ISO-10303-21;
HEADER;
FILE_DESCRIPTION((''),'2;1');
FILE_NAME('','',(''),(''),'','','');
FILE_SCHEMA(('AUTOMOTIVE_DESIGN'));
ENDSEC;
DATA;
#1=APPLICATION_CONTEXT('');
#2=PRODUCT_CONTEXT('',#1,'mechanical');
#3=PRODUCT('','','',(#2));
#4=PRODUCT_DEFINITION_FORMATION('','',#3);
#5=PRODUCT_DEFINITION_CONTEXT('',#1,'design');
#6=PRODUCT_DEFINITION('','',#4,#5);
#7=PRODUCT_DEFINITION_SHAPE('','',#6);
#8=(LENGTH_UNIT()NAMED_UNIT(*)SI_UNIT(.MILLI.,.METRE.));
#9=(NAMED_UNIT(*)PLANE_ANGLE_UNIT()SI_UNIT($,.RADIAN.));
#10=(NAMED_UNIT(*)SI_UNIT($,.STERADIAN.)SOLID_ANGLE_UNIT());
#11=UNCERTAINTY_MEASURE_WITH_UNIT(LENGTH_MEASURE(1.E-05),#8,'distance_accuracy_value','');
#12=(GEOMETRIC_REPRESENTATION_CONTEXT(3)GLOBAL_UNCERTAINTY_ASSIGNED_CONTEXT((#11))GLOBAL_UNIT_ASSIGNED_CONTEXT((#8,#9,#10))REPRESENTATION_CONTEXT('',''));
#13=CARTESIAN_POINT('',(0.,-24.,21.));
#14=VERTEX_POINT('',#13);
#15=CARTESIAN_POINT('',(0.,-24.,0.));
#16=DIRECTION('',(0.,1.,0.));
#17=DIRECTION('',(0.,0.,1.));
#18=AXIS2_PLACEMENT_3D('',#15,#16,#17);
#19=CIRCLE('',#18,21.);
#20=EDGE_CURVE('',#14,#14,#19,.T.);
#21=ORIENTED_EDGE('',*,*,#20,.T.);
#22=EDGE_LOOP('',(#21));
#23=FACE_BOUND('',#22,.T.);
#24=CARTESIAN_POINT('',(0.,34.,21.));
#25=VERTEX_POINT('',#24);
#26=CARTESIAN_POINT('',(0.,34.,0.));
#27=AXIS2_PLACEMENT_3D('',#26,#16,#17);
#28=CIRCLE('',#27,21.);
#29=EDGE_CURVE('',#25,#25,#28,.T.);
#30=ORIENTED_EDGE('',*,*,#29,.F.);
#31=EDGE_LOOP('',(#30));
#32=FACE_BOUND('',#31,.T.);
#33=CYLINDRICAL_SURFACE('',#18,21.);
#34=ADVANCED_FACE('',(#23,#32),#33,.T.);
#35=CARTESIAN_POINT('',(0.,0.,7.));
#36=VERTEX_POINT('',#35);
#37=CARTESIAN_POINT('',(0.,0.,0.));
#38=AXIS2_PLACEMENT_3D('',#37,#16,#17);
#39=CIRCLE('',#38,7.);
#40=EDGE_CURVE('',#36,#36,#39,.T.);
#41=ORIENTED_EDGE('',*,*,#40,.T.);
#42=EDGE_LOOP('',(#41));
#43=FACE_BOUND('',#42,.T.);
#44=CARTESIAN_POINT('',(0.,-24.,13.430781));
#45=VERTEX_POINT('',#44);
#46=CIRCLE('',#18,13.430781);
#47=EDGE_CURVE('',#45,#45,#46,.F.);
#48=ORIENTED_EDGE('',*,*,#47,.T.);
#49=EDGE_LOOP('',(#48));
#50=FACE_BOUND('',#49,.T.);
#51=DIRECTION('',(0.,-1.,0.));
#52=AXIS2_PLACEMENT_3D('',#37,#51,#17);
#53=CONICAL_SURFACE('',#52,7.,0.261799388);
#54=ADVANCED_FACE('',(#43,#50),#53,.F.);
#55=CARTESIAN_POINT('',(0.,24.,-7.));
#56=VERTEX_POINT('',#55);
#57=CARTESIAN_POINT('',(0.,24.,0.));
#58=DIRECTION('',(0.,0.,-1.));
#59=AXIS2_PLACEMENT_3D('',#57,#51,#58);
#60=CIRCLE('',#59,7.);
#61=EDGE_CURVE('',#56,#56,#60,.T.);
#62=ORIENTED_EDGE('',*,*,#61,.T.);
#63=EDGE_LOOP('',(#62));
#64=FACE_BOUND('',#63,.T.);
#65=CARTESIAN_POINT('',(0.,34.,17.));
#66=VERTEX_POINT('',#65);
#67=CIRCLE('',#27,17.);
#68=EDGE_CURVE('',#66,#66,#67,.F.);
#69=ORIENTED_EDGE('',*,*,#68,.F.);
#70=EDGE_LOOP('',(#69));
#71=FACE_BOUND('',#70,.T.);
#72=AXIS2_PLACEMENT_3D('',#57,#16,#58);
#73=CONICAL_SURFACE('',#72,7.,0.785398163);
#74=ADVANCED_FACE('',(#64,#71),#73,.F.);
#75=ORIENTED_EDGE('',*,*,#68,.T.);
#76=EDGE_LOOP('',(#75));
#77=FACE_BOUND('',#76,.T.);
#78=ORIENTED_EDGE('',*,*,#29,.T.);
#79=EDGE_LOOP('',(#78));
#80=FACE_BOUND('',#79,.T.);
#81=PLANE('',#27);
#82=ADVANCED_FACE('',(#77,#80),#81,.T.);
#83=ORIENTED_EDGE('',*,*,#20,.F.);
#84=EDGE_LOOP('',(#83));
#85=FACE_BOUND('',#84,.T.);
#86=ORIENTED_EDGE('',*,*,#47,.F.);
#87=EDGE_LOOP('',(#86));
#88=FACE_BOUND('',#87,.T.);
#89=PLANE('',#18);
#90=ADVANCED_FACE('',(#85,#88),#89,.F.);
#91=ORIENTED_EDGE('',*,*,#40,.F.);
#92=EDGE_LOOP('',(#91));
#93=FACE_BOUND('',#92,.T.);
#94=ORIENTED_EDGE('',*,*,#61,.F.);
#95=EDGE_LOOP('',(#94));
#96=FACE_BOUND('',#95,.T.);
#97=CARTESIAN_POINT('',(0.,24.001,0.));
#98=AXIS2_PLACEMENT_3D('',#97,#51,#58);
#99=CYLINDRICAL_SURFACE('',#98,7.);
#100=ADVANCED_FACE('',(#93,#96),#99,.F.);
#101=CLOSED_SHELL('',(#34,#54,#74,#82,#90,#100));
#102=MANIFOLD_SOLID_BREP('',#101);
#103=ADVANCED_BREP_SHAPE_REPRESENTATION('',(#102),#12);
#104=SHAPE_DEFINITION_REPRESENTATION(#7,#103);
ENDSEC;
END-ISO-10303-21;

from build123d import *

# Parameters (mm, degrees)
SKETCH1_R                    = 21
BOSS_EXTRUDE1_DEPTH          = 24
BOSS_EXTRUDE1_DEPTH_BACK     = 24
SKETCH3_R                    = 7
CUT_EXTRUDE1_DEPTH           = 24
CUT_EXTRUDE1_TAPER           = -15
CUT_EXTRUDE1_OTHER_WAY_DEPTH = 24
SKETCH4_R                    = 21
BOSS_EXTRUDE2_DEPTH          = 10
SKETCH5_R                    = 7
CUT_EXTRUDE2_DEPTH           = 10
CUT_EXTRUDE2_TAPER           = -45


with BuildPart() as part:
    # Sketch1 → Boss-Extrude1 (new body, two sides)
    with BuildSketch(Plane(origin=(0, 0, 0), x_dir=(1, 0, 0), z_dir=(0, 1, 0))) as boss_extrude1_sk:
        Circle(SKETCH1_R)
    extrude(amount=BOSS_EXTRUDE1_DEPTH)
    extrude(boss_extrude1_sk.sketch, amount=-BOSS_EXTRUDE1_DEPTH_BACK)

    # Sketch3 → Cut-Extrude1 (cut)
    with BuildSketch(Plane(origin=(0, 0, 0), x_dir=(1, 0, 0), z_dir=(0, 1, 0))):
        Circle(SKETCH3_R)
    extrude(amount=-CUT_EXTRUDE1_DEPTH, taper=CUT_EXTRUDE1_TAPER, mode=Mode.SUBTRACT)

    # Sketch3 → Cut-Extrude1 other way (cut)
    with BuildSketch(Plane(origin=(0, 0, 0), x_dir=(1, 0, 0), z_dir=(0, 1, 0))):
        Circle(SKETCH3_R)
    extrude(amount=CUT_EXTRUDE1_OTHER_WAY_DEPTH, mode=Mode.SUBTRACT)

    # Sketch4 → Boss-Extrude2 (add)
    with BuildSketch(Plane(origin=(0, 24, 0), x_dir=(1, 0, 0), z_dir=(0, 1, 0))):
        Circle(SKETCH4_R)
    extrude(amount=BOSS_EXTRUDE2_DEPTH)

    # Sketch5 → Cut-Extrude2 (cut)
    with BuildSketch(Plane.XZ.offset(-24)):
        Circle(SKETCH5_R)
    extrude(amount=-CUT_EXTRUDE2_DEPTH, taper=CUT_EXTRUDE2_TAPER, mode=Mode.SUBTRACT)


solid = part.part
